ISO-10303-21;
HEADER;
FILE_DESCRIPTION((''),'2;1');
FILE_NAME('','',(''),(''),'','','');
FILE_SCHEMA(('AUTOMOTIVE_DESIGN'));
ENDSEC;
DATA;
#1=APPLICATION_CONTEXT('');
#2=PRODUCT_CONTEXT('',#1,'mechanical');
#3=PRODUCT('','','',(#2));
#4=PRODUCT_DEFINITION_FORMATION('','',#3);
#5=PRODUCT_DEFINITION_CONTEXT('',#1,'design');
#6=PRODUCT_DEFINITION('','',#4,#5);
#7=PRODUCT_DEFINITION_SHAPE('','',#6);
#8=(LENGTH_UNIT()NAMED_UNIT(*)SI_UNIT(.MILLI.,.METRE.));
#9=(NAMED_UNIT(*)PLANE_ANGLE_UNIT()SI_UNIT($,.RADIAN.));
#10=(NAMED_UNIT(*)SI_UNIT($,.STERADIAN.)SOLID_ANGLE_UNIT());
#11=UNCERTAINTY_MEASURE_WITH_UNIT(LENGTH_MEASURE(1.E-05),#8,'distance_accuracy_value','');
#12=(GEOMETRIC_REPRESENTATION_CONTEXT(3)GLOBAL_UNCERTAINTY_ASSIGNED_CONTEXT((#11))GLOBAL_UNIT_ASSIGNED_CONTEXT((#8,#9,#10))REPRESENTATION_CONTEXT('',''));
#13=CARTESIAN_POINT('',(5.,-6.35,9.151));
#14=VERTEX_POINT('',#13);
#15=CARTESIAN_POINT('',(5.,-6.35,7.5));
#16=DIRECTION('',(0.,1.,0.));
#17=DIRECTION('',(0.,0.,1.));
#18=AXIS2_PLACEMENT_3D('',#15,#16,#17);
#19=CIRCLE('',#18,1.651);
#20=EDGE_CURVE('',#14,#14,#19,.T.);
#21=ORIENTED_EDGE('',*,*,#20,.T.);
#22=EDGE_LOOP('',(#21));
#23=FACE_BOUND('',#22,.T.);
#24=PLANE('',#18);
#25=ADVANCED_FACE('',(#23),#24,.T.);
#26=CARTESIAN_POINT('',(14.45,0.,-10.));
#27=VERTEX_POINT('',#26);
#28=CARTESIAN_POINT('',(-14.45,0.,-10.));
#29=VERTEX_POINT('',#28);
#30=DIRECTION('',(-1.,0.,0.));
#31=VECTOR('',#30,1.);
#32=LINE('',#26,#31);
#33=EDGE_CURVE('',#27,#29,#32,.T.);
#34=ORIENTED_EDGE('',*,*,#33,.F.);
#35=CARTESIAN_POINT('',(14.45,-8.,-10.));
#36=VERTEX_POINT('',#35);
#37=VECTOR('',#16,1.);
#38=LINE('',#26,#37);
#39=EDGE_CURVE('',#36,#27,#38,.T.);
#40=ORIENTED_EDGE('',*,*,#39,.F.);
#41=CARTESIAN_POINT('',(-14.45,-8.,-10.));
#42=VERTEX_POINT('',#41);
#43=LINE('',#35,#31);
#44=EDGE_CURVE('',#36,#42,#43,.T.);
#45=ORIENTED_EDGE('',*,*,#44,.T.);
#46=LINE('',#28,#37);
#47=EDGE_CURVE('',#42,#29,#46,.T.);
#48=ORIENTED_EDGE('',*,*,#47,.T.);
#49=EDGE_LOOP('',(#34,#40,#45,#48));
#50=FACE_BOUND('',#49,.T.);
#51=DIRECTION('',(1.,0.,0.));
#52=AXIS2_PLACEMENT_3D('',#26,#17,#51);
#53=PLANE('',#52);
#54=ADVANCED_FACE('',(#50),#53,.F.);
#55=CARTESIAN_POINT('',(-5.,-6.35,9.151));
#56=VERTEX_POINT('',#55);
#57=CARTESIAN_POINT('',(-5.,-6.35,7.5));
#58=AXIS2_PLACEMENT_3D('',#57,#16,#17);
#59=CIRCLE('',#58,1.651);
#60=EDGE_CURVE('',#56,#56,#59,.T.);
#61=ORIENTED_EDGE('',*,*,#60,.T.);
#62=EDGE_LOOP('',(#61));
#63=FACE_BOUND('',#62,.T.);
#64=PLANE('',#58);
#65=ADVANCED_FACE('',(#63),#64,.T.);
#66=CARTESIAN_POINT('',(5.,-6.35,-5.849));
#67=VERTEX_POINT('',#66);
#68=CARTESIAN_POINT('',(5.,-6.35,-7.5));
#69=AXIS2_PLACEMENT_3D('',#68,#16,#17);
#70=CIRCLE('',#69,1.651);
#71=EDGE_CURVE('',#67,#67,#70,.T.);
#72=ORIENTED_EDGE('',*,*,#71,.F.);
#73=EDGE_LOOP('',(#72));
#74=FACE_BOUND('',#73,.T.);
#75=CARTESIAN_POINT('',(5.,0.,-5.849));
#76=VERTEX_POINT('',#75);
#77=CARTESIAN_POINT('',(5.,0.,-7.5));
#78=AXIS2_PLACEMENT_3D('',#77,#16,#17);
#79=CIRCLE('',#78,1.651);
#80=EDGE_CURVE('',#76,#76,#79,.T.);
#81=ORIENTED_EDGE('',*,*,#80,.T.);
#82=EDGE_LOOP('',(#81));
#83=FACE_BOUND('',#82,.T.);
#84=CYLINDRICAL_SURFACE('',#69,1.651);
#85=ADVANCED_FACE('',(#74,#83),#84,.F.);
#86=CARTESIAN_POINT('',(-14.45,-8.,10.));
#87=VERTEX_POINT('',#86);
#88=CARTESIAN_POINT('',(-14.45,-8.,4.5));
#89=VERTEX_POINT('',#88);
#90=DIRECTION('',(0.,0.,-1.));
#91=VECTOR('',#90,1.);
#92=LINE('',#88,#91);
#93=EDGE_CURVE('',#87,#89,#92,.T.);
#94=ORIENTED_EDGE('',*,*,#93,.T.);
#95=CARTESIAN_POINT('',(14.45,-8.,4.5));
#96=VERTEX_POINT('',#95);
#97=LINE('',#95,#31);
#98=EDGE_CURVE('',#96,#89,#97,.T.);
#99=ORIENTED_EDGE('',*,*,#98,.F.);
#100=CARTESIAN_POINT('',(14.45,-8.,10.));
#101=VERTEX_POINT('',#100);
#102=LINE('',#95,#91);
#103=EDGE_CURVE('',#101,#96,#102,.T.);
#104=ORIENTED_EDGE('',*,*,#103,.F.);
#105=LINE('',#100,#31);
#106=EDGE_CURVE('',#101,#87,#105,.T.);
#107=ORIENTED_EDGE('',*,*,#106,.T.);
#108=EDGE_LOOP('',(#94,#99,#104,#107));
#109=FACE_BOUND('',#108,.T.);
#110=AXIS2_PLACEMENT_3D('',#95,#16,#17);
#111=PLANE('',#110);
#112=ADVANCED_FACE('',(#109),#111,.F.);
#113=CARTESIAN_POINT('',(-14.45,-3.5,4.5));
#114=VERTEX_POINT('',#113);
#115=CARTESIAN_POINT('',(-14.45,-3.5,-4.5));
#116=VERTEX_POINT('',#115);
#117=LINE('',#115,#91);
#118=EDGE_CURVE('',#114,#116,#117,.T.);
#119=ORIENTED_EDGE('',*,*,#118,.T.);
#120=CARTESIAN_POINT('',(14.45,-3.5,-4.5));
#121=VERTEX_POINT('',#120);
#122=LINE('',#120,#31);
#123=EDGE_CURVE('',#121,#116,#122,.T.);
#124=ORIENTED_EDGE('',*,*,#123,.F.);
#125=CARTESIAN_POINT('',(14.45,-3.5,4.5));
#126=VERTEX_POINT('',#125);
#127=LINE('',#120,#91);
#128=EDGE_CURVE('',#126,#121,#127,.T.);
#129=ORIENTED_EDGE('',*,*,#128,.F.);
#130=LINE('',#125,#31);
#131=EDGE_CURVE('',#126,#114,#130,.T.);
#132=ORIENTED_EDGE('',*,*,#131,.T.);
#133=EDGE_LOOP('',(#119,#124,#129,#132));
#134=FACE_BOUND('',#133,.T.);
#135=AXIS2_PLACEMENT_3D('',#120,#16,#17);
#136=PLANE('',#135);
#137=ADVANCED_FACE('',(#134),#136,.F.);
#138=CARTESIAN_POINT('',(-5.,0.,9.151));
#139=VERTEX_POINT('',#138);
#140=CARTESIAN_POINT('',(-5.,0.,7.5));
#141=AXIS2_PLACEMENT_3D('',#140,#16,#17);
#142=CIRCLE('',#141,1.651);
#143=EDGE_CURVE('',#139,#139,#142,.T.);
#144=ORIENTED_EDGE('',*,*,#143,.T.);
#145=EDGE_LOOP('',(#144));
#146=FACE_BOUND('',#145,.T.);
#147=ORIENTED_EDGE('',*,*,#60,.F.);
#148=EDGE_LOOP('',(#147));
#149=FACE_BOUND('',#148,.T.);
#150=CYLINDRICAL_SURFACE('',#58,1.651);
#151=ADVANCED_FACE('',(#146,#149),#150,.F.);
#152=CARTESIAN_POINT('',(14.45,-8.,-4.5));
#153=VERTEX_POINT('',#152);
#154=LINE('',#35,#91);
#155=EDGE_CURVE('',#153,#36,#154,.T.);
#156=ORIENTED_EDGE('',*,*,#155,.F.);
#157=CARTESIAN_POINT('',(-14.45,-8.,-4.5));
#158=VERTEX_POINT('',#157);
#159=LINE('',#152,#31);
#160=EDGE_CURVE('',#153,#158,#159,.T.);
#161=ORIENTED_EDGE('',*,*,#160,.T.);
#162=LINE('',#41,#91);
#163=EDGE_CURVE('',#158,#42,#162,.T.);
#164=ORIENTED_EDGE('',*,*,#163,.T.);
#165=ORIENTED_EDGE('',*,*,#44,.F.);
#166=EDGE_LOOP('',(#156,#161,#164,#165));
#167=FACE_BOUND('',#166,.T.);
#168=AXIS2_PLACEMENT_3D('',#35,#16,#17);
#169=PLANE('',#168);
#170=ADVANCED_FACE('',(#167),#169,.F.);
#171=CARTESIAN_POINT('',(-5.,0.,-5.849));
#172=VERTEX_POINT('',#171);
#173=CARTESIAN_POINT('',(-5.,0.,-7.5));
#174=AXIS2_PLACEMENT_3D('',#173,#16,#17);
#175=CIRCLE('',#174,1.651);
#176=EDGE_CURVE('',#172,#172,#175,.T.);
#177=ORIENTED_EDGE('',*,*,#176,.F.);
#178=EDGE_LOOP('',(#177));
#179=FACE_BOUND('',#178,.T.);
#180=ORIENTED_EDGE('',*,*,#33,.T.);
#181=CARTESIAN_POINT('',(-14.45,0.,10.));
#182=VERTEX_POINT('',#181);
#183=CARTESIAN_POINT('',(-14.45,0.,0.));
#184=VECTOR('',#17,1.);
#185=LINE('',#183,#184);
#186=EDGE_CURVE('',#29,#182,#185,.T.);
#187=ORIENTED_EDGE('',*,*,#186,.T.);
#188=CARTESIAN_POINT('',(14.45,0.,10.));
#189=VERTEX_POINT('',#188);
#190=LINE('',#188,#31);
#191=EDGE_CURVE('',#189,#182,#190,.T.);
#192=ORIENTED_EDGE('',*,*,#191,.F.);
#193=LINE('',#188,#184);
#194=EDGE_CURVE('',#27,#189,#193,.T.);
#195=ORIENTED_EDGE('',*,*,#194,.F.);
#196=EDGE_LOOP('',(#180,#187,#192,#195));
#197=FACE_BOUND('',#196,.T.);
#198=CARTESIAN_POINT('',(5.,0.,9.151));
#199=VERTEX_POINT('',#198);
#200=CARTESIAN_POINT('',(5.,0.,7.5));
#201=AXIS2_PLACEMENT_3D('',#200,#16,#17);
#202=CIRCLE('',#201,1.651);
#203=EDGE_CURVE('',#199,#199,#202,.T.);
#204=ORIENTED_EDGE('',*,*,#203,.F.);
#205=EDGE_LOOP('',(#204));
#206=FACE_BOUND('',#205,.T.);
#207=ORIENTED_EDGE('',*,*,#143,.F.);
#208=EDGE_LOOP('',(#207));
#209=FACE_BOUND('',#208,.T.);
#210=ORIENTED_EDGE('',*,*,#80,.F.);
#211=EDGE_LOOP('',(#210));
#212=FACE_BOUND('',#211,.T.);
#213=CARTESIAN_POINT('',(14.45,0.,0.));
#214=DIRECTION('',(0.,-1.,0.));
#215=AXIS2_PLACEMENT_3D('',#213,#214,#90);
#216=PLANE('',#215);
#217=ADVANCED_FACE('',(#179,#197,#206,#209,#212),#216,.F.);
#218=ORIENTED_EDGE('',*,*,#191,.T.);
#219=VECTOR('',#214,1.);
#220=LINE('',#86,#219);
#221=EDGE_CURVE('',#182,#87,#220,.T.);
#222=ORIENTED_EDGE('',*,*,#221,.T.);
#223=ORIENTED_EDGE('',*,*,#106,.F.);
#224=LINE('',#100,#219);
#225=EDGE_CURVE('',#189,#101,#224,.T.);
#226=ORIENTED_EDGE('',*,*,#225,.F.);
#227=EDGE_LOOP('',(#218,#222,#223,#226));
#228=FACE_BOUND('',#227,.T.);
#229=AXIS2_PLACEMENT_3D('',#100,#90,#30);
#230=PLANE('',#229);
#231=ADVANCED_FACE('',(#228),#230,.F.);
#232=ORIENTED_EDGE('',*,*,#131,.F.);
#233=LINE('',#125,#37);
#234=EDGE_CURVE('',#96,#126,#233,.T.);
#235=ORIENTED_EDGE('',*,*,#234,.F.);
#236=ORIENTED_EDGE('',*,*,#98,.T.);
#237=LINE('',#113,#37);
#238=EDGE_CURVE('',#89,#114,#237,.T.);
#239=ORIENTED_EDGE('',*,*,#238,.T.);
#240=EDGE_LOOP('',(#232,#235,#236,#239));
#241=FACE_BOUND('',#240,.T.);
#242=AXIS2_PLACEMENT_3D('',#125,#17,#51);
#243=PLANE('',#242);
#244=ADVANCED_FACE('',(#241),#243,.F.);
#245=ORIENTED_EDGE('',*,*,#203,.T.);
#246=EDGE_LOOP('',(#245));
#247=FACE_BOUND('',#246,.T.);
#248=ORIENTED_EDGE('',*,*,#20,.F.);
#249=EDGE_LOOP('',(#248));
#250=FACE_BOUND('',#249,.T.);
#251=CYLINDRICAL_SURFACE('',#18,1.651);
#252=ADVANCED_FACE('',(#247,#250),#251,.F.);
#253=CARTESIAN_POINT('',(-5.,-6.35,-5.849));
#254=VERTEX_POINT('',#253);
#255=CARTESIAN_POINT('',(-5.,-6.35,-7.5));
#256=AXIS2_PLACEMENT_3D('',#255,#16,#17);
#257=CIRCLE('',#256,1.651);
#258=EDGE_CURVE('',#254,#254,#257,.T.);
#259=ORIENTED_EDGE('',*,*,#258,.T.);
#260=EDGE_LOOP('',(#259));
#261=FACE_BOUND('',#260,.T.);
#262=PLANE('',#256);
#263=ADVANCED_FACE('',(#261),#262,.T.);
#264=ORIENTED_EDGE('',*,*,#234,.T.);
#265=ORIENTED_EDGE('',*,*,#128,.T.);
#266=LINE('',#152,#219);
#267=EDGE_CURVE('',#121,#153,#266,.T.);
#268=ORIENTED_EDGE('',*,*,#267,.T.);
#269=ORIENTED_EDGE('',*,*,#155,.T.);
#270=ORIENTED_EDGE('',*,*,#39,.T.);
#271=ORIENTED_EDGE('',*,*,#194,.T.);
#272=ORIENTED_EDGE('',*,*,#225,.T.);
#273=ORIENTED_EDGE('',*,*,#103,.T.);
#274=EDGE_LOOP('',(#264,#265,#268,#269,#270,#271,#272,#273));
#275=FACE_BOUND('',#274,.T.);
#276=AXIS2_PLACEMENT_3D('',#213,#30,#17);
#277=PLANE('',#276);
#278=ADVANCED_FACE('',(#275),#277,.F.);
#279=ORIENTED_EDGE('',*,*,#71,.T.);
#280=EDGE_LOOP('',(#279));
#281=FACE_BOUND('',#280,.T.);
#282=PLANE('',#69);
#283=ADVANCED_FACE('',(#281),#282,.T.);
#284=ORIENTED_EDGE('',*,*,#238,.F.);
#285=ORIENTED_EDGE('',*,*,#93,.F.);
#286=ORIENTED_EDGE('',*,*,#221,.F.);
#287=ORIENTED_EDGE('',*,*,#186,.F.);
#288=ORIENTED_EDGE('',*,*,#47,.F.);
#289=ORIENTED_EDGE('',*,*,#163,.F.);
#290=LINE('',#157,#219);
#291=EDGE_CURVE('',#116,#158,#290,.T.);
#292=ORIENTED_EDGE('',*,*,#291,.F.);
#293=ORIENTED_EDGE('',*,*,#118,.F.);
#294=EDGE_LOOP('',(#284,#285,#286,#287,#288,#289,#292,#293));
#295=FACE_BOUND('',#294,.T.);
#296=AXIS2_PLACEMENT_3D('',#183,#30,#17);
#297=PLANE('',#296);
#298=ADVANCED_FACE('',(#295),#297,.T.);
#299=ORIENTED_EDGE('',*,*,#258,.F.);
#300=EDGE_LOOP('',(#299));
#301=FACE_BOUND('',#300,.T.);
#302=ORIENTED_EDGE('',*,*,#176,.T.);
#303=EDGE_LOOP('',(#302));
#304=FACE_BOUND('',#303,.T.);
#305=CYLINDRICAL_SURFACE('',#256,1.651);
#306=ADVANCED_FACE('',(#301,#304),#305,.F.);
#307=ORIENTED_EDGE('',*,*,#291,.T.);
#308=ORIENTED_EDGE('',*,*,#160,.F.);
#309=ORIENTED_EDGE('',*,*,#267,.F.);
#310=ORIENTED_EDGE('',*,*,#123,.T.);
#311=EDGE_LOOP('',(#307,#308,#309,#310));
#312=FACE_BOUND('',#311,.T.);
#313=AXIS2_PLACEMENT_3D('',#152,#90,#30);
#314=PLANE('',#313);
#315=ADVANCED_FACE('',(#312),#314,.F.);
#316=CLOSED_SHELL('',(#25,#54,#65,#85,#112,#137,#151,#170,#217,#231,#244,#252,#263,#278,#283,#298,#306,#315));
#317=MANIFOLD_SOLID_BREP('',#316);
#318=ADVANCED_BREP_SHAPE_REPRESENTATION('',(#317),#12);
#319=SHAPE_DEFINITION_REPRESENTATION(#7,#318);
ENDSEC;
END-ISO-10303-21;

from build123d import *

# Parameters (mm, degrees)
BOSS_EXTRUDE1_DEPTH = 14.45
SKETCH2_R           = 1.651
CUT_EXTRUDE1_DEPTH  = 6.35


with BuildPart() as part:
    # Sketch1 → Boss-Extrude1 (new, symmetric)
    with BuildSketch(Plane(origin=(0, 0, 0), x_dir=(0, 0, -1), z_dir=(1, 0, 0))):
        Polygon((0, 0), (10, 0), (10, -8), (4.5, -8), (4.5, -3.5), (-4.5, -3.5), (-4.5, -8), (-10, -8), (-10, 0), align=None)
    extrude(amount=BOSS_EXTRUDE1_DEPTH, both=True)

    # Sketch2 → Cut-Extrude1 (cut)
    with BuildSketch(Plane(origin=(0, 0, 0), x_dir=(1, 0, 0), z_dir=(0, 1, 0))):
        with Locations(Location((5, 7.5, 0), (0, 0, 270))):
            Circle(SKETCH2_R)
        with Locations(Location((5, -7.5, 0), (0, 0, 270))):
            Circle(SKETCH2_R)
        with Locations(Location((-5, -7.5, 0), (0, 0, 270))):
            Circle(SKETCH2_R)
        with Locations(Location((-5, 7.5, 0), (0, 0, 270))):
            Circle(SKETCH2_R)
    extrude(amount=-CUT_EXTRUDE1_DEPTH, mode=Mode.SUBTRACT)


solid = part.part
